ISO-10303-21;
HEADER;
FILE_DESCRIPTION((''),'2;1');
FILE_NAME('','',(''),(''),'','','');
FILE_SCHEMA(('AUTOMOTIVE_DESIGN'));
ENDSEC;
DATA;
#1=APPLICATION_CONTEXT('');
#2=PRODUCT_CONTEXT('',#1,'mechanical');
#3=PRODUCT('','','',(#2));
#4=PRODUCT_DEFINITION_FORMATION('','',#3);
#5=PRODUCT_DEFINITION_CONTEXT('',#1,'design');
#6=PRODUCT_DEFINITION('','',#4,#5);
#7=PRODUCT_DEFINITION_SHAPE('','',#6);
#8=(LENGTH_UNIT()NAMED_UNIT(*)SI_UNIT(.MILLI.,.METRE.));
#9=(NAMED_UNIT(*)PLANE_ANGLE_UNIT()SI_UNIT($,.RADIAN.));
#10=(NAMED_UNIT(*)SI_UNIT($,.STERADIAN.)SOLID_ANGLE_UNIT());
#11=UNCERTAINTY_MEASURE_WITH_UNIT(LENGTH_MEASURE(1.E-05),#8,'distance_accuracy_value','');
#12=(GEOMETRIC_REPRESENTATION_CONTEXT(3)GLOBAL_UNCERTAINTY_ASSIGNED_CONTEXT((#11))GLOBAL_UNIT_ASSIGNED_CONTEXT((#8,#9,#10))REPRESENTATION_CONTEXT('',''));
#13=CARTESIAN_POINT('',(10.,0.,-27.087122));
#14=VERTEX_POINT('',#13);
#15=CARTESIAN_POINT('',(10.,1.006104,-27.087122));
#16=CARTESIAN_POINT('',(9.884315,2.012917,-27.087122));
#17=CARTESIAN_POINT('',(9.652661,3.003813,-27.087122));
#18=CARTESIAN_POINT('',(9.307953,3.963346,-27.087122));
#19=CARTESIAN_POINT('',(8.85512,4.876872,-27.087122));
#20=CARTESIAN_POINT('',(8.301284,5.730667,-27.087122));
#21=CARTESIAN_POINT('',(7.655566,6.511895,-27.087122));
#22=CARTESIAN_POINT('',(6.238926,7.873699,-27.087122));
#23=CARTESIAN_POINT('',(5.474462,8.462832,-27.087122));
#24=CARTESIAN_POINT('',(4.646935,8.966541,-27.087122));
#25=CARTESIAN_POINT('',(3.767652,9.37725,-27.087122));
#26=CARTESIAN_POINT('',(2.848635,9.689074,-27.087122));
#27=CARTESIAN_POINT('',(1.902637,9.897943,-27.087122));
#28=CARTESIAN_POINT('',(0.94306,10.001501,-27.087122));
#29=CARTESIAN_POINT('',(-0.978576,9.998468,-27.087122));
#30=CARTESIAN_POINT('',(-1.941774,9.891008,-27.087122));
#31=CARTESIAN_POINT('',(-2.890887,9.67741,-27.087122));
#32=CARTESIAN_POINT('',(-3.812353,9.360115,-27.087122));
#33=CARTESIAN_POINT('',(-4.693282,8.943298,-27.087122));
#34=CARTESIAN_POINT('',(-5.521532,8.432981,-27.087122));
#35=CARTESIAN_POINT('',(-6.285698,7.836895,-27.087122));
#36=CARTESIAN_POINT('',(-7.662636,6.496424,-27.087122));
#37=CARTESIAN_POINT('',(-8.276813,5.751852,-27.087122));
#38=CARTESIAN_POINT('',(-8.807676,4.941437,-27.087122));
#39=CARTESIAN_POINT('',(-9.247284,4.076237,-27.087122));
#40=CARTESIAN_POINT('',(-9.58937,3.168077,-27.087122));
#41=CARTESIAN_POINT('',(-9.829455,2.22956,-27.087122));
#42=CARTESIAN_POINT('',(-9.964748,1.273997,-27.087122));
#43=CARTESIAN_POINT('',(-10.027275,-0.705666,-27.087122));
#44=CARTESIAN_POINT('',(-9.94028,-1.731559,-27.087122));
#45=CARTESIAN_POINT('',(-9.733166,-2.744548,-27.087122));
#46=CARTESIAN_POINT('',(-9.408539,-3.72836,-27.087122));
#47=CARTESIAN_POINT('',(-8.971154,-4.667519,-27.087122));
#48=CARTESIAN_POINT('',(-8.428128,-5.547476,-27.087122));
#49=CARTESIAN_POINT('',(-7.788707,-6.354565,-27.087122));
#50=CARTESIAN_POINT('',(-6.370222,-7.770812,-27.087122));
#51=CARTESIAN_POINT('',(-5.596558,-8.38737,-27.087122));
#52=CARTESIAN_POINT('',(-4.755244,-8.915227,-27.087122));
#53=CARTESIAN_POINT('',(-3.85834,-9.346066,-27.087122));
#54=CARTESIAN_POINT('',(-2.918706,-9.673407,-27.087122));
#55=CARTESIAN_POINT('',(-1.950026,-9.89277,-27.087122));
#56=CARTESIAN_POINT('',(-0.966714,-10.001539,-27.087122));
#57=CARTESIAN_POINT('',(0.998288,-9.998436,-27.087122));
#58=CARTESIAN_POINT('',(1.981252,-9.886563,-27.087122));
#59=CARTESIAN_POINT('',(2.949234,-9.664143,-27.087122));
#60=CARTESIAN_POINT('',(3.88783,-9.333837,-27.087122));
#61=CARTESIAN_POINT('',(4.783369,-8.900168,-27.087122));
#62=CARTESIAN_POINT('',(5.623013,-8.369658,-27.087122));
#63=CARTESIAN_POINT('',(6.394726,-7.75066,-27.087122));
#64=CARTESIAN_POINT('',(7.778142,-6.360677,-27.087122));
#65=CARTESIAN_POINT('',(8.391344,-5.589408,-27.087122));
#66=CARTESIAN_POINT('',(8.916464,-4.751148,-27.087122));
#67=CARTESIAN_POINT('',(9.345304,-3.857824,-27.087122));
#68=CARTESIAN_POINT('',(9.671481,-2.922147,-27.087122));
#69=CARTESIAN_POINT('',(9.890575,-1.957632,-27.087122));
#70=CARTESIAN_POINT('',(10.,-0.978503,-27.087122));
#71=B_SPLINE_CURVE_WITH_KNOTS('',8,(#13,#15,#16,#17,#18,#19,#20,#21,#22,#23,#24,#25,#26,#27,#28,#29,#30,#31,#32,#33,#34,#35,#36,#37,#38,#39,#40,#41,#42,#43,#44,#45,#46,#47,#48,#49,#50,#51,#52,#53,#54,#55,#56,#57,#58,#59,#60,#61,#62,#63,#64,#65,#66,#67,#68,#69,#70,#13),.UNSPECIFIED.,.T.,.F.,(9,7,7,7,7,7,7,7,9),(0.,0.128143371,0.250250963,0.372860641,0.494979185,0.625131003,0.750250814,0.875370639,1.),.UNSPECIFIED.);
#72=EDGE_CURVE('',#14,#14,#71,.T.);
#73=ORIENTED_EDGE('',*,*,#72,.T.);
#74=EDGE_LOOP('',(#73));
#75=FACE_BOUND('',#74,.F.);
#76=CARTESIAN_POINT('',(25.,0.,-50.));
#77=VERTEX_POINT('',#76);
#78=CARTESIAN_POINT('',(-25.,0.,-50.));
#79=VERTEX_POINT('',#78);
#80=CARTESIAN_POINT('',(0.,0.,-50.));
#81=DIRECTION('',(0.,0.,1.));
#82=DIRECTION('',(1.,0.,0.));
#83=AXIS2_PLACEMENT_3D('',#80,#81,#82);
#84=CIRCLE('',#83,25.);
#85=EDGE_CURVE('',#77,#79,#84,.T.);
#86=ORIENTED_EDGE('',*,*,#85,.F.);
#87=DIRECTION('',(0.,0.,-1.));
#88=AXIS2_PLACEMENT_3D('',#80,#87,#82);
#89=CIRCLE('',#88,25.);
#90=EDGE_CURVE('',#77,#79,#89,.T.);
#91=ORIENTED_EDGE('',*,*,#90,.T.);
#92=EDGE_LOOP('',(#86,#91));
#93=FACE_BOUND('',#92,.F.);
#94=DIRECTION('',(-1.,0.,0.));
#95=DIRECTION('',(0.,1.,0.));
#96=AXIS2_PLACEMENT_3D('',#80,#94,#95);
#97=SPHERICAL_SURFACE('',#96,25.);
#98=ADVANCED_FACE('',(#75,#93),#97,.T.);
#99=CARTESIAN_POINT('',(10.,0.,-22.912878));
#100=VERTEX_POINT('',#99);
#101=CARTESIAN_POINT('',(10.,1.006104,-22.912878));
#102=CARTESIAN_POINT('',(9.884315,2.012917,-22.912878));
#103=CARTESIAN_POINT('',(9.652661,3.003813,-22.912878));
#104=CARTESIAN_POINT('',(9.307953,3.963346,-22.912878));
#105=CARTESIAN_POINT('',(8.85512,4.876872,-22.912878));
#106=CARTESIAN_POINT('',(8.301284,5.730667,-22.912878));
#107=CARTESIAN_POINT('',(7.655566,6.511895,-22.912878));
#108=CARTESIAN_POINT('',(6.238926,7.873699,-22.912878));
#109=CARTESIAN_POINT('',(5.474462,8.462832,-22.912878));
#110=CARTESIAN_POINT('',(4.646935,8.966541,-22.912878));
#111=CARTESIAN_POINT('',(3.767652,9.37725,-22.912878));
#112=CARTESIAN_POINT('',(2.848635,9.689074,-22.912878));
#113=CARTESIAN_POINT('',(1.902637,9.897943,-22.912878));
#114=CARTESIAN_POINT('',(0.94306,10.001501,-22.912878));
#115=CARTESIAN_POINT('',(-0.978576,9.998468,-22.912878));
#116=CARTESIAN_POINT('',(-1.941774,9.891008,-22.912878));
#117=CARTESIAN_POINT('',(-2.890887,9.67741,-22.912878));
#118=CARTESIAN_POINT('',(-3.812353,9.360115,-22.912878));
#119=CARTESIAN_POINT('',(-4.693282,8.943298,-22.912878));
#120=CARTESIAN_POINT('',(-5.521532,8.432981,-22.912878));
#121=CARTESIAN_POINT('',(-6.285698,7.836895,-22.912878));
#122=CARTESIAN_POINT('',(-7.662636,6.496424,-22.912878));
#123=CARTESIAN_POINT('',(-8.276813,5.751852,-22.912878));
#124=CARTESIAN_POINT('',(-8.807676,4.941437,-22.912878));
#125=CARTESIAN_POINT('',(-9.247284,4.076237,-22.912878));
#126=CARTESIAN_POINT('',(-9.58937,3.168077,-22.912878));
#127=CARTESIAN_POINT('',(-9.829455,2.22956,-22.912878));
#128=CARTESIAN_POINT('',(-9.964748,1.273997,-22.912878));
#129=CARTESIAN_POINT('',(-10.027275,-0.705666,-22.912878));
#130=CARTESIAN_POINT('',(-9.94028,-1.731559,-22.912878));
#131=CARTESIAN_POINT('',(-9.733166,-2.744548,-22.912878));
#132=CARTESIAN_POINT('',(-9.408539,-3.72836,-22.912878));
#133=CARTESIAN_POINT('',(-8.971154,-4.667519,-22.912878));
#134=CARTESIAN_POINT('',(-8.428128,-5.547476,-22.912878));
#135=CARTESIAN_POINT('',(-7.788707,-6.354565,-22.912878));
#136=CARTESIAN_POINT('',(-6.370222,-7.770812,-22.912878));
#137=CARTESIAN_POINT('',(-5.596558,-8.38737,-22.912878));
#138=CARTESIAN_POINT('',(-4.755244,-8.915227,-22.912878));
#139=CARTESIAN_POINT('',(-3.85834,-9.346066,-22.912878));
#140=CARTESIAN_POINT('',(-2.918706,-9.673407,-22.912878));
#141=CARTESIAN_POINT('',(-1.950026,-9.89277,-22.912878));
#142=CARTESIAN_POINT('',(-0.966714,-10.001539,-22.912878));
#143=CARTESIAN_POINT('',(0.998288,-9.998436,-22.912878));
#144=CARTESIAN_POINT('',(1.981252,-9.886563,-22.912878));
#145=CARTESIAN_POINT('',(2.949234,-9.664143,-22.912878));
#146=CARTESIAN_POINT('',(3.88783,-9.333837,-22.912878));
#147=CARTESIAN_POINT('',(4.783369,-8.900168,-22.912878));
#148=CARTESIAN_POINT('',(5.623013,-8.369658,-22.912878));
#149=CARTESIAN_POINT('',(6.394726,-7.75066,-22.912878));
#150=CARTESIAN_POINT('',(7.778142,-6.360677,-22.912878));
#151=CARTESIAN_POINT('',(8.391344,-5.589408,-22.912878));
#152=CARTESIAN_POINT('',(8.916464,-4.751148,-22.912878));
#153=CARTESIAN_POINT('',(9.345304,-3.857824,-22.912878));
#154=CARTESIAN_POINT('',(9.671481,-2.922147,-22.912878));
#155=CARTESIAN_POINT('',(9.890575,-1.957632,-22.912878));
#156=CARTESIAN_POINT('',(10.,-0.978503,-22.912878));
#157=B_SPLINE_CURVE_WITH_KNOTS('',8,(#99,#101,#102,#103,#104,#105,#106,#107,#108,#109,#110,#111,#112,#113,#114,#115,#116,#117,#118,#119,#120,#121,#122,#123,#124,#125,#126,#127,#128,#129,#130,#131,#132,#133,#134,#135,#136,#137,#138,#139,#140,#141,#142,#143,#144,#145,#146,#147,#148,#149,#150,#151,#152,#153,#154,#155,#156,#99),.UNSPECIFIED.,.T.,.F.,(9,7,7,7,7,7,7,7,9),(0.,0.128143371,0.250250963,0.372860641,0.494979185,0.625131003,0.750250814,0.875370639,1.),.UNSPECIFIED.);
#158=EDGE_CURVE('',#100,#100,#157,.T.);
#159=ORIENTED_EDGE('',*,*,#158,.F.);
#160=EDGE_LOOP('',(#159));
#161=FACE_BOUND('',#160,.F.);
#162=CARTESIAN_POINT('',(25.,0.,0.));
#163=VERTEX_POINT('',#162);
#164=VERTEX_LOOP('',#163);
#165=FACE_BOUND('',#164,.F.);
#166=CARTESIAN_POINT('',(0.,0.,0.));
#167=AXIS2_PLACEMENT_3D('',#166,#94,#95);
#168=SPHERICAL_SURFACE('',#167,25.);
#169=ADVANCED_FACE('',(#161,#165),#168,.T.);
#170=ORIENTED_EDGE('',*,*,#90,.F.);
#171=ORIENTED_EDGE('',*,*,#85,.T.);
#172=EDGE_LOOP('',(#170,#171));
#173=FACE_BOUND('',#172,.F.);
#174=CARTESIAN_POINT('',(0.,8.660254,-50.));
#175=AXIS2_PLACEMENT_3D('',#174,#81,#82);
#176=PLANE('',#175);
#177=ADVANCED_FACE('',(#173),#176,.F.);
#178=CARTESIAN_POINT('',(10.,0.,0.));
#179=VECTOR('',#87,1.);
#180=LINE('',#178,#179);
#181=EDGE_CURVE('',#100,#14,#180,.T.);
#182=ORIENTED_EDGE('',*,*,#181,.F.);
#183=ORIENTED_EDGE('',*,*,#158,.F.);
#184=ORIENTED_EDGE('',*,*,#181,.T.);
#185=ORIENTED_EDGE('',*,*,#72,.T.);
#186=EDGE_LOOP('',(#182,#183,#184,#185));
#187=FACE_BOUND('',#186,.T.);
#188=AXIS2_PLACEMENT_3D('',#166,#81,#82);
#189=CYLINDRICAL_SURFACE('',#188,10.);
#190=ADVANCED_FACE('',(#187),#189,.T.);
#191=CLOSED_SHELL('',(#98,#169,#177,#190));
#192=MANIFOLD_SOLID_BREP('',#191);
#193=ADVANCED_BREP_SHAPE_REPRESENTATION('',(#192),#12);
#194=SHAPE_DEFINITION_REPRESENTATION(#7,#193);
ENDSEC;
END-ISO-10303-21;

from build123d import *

# Parameters (mm, degrees)
F3_ANGLE_BACK = 90
F3_ANGLE      = 180
F4_R          = 10
F5_DEPTH      = 50


with BuildPart() as f1:
    # F0 (on Top) → F1 (revolve)
    with BuildSketch(Plane.XY):
        with BuildLine():
            Line((-25, 0), (25, 0))
            ThreePointArc((25, 0), (0, 25), (-25, 0))
        make_face()
    revolve(axis=Axis((0, 0, 0), (1, 0, 0)))

    # F2 (on Front) → F3 (revolve)
    with BuildSketch(Plane.XZ, mode=Mode.PRIVATE) as f3_sk:
        with BuildLine():
            Line((-25, -50), (25, -50))
            ThreePointArc((25, -50), (0, -25), (-25, -50))
        make_face()
    revolve(f3_sk.sketch.rotate(Axis((0, 0, -50), (1, 0, 0)), -F3_ANGLE_BACK), axis=Axis((0, 0, -50), (1, 0, 0)), revolution_arc=F3_ANGLE)

    # F4 (on Top) → F5 (join)
    with BuildSketch(Plane.XY):
        Circle(F4_R)
    extrude(amount=-F5_DEPTH)


solid = f1.part
